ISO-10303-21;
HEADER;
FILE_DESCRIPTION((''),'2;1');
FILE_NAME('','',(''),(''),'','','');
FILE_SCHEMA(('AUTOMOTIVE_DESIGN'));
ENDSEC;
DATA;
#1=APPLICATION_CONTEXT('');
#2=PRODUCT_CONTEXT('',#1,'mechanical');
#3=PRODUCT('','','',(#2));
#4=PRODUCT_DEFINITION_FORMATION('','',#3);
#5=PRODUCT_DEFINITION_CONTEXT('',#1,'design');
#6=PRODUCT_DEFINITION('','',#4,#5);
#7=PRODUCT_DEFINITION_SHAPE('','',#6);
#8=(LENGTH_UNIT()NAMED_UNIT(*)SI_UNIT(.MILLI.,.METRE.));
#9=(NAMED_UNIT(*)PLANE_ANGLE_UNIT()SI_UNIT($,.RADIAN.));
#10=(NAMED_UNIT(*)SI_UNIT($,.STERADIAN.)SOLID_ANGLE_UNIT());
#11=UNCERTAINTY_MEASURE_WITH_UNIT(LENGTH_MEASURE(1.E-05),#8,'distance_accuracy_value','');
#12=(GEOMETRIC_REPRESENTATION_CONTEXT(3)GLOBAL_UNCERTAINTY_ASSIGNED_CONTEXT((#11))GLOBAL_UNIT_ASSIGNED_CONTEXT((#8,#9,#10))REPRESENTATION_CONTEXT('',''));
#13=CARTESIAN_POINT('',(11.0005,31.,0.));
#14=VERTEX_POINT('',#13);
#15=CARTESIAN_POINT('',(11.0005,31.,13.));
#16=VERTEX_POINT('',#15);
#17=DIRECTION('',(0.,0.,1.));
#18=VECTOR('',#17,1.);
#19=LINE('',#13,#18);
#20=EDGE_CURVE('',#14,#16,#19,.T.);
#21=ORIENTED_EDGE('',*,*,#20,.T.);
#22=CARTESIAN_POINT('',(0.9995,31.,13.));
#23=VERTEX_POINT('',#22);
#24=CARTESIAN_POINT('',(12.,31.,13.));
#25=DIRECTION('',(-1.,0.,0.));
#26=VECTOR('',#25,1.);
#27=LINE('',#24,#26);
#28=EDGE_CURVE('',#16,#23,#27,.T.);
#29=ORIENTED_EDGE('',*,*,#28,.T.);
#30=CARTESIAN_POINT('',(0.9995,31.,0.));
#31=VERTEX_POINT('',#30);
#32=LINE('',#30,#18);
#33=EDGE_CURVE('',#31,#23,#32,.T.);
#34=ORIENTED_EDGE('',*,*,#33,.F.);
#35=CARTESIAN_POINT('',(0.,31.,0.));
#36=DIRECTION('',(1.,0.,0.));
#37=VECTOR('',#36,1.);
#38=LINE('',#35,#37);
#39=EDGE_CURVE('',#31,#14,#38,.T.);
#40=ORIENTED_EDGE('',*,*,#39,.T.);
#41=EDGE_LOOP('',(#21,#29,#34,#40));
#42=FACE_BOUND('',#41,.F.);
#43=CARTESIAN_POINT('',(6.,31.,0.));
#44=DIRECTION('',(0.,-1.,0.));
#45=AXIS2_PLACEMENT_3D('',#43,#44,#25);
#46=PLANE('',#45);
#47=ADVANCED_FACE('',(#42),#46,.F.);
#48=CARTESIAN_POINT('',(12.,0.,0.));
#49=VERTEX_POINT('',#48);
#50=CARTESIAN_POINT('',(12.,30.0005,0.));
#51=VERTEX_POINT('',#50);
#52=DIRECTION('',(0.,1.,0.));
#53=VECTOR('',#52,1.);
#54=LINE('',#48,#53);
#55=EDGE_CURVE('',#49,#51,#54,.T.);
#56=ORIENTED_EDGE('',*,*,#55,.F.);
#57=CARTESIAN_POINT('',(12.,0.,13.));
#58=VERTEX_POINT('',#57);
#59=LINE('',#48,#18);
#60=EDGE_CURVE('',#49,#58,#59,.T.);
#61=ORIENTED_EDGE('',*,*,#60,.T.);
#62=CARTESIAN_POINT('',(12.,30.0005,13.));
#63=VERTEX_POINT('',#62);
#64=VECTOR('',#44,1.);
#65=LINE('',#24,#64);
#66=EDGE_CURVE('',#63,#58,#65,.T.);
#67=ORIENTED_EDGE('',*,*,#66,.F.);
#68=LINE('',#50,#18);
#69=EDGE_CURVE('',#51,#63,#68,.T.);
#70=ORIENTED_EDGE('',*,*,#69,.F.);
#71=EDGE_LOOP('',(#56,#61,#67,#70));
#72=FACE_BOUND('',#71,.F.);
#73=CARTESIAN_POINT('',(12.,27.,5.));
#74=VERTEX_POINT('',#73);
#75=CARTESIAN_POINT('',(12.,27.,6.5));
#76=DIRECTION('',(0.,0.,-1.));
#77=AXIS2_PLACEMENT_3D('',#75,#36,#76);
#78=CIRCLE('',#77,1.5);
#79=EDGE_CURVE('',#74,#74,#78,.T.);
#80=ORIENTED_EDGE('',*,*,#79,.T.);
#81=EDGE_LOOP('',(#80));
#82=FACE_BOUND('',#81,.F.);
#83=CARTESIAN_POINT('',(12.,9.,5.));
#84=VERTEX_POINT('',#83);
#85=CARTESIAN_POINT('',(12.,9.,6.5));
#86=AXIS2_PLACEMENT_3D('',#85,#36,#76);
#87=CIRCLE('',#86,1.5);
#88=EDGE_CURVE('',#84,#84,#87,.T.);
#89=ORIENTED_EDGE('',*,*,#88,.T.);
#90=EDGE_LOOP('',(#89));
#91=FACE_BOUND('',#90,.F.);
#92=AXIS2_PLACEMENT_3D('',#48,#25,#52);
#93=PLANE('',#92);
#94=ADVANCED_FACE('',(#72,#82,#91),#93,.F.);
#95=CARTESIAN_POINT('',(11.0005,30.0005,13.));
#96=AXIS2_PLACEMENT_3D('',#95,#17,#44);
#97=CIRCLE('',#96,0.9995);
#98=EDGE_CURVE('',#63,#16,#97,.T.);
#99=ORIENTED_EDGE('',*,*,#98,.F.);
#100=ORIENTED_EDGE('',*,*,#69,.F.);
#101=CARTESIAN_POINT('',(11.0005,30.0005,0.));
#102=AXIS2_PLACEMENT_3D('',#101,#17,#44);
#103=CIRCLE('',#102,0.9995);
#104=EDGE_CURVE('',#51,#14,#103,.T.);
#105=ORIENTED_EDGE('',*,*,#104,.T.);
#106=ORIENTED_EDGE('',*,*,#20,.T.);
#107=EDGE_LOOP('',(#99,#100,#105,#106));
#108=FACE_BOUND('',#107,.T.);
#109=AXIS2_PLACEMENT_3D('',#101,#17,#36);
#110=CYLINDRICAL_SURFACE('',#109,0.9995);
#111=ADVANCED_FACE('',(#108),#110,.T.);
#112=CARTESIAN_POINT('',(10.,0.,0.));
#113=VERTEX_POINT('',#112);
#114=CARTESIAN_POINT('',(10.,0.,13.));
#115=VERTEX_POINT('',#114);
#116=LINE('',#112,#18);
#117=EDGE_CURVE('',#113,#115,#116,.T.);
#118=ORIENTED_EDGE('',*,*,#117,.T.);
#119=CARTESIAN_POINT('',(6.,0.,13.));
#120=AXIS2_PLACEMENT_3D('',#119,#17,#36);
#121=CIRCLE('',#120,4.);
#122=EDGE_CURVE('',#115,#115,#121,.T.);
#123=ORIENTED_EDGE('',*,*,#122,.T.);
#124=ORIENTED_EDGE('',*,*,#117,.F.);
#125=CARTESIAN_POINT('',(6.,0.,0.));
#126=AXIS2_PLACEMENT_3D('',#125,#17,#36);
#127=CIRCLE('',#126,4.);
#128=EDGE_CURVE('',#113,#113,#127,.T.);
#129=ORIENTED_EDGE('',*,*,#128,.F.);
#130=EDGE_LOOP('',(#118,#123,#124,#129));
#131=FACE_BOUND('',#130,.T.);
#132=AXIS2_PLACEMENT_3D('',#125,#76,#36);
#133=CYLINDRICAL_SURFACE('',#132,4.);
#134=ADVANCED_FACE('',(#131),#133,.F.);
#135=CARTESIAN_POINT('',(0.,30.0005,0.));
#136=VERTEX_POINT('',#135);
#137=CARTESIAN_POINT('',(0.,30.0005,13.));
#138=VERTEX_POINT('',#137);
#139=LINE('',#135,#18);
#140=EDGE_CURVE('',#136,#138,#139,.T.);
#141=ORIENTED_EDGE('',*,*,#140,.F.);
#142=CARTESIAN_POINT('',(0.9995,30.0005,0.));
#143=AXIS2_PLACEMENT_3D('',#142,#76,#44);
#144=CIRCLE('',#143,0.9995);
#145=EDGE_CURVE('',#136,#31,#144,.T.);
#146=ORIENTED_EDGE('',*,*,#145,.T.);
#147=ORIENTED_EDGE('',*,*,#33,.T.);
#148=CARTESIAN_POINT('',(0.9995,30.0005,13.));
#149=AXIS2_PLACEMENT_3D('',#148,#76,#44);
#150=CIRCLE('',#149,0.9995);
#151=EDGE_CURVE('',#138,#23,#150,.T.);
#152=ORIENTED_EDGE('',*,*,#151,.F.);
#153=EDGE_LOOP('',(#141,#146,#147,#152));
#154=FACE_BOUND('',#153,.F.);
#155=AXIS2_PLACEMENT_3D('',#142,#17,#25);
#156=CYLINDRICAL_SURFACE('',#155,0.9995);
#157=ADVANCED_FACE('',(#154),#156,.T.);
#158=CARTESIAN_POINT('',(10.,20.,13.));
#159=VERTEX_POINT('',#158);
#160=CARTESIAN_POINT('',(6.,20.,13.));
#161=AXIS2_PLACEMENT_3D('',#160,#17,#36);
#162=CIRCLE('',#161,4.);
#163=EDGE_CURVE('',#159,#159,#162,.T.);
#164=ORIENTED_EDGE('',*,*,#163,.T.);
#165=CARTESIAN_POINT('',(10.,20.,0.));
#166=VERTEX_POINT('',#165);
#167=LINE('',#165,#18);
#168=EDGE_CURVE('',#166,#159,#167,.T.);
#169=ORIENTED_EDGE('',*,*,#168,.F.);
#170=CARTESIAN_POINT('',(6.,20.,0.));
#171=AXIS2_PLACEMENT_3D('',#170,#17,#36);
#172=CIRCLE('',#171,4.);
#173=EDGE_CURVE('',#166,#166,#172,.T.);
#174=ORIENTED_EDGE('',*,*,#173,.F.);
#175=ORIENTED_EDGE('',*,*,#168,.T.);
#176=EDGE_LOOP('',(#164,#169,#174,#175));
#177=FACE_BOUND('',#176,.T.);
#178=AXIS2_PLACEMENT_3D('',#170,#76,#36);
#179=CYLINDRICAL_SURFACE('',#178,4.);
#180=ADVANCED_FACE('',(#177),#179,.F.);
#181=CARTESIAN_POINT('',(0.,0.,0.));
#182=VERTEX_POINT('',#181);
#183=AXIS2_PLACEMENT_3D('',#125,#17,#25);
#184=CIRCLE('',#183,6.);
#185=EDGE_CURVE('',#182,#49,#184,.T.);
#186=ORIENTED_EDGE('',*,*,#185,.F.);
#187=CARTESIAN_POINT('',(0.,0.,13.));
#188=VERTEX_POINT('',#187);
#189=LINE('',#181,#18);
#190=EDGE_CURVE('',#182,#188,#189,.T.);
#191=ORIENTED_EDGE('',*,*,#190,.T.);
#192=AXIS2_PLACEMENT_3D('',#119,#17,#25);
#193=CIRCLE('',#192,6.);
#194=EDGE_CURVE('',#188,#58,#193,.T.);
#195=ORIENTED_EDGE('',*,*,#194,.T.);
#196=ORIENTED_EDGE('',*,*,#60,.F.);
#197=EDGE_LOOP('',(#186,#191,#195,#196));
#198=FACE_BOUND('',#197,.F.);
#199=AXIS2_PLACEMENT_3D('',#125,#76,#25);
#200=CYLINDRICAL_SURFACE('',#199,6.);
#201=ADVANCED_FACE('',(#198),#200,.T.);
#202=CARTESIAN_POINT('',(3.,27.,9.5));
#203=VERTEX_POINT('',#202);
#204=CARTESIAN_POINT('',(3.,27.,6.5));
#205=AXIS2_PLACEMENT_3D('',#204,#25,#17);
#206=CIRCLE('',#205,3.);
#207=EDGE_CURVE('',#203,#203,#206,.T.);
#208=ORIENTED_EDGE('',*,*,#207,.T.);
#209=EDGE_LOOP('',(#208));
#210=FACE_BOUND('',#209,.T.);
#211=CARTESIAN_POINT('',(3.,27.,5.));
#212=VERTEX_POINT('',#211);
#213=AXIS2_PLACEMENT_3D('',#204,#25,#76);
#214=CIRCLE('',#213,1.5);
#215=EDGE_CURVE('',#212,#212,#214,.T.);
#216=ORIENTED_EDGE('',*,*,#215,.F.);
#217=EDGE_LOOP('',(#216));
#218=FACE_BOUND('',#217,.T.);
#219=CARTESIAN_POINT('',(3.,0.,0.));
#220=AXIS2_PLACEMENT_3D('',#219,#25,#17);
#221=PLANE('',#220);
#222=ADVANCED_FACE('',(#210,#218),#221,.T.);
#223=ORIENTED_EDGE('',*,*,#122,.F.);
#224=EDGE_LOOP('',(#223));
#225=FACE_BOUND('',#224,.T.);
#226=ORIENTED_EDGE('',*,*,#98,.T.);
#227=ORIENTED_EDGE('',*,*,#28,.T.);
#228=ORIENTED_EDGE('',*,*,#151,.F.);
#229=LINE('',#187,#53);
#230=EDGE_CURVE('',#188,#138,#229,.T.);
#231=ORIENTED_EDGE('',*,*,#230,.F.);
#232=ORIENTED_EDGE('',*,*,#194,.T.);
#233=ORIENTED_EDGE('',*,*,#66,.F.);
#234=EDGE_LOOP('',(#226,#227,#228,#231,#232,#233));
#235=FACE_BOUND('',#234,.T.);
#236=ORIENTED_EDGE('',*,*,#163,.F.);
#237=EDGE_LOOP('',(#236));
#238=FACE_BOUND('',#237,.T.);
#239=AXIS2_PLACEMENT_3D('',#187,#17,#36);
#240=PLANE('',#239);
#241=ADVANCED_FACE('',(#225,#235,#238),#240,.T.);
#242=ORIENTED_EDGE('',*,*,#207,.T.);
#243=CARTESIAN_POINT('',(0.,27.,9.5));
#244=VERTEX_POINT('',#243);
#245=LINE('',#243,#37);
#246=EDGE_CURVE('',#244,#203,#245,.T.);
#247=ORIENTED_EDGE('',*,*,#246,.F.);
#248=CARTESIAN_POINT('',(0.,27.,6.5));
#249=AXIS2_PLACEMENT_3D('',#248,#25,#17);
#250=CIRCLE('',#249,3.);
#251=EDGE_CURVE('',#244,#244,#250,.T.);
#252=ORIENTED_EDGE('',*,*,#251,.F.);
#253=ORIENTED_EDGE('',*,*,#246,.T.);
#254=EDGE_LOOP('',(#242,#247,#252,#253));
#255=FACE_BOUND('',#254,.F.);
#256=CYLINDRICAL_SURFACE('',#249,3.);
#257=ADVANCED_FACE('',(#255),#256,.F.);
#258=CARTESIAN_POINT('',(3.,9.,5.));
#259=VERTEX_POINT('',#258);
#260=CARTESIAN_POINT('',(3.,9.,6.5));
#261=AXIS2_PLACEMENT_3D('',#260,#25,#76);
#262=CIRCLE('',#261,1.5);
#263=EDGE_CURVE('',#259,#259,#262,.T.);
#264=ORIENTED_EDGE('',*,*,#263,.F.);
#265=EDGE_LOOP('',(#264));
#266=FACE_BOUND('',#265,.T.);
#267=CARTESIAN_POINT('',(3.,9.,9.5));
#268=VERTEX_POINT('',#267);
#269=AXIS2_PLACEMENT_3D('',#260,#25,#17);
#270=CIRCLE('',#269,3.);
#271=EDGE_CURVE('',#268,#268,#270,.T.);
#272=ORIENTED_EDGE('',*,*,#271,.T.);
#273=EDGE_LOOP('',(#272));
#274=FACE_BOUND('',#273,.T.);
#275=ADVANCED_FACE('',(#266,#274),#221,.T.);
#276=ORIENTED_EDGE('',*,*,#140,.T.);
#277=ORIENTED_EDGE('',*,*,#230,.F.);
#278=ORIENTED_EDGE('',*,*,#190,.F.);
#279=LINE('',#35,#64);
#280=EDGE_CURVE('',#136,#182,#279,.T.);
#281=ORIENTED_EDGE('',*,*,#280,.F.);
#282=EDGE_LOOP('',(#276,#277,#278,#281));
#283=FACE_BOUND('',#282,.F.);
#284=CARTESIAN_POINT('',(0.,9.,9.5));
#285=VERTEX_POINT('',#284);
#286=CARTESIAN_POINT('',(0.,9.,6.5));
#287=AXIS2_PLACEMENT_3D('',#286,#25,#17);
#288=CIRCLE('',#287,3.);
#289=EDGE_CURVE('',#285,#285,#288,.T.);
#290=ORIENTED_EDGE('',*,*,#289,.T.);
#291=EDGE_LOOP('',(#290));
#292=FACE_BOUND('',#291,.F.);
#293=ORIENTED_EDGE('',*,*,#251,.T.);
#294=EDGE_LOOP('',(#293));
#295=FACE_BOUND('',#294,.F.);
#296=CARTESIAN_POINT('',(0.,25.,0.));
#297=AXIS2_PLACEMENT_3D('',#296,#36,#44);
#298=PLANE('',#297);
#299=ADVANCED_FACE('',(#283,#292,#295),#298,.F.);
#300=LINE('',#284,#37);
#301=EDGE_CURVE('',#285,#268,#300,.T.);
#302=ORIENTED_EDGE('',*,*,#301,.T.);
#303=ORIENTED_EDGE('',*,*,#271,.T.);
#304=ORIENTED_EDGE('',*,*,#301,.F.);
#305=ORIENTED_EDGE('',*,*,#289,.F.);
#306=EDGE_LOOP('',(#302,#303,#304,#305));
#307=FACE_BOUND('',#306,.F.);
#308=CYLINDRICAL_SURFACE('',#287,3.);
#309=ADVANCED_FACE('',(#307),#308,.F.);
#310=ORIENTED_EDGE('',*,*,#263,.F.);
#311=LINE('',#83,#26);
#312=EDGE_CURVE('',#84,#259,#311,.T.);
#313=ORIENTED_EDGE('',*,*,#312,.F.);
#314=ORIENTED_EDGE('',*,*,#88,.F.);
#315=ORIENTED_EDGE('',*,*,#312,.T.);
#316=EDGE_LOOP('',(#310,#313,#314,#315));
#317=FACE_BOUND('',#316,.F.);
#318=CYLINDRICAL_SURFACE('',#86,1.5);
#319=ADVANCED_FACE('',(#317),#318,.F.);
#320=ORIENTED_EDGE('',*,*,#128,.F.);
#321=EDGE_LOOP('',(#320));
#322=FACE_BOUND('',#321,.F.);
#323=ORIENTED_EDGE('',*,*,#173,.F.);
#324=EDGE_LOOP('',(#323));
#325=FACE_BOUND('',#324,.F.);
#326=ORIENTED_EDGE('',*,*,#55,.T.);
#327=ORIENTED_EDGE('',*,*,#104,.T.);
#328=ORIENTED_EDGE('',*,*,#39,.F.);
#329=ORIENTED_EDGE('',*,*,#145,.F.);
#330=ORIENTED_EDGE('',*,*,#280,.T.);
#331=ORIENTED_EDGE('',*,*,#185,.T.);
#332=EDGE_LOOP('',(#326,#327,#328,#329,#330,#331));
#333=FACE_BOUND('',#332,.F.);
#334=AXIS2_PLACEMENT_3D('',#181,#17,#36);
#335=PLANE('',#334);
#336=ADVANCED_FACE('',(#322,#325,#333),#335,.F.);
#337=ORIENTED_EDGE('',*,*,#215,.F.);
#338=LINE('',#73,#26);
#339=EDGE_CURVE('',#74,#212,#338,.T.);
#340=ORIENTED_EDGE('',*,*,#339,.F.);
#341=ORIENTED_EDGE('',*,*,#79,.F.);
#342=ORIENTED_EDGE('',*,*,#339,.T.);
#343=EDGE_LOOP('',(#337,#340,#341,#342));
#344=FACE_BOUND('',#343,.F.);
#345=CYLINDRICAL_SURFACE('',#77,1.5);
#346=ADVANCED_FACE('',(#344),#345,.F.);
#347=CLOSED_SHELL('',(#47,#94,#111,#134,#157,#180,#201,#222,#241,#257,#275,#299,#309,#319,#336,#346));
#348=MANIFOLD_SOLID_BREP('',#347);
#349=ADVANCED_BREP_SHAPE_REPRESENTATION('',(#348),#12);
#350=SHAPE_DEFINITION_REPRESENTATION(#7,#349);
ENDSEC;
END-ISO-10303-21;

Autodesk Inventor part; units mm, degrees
ref_plane "YZ Plane" through (0, 0, 0) normal (1, 0, 0) x (0, 1, 0)
ref_plane "XZ Plane" through (0, 0, 0) normal (0, 1, 0) x (-1, 0, 0)
ref_plane "XY Plane" through (0, 0, 0) normal (0, 0, 1) x (1, 0, 0)
sketch "Sketch1" plane through (0, 0, 0) normal (0, 0, 1) x (1, 0, 0)
  line L0 (0, 0) -> (12, 0) construction
  line L1 (12, 0) -> (12, 25)
  line L2 (12, 25) -> (0, 25) construction
  line L3 (0, 25) -> (0, 0)
  arc A0 (12, 25) -> (0, 25) centre (6, 25) ccw
  arc A1 (0, 0) -> (12, 0) centre (6, 0) ccw
  circle A2 centre (6, 0) radius 4
  circle A3 centre (6, 20) radius 4
  line L4 (0, 25) -> (12, 25)
  line L5 (12, 25) -> (12, 31)
  line L6 (12, 31) -> (0, 31)
  line L7 (0, 31) -> (0, 25)
  dimension "d0" = 12
  dimension "d1" = 25
  dimension "d3" = 8
  dimension "d16" = 8
  dimension "d17" = 20
extrude "Extrusion1" add sketch "Sketch1" along normal blind 13
sketch "Sketch2" plane through (12, 0, 0) normal (1, 0, 0) x (0, 0, -1)
  circle A0 centre (-6.5, 27) radius 1.5
  circle A1 centre (-6.5, 9) radius 1.5
  line L0 (0, 0) -> (-13, 0) projected
  point P0 (-6.5, 0)
  dimension "d6" = 3
  dimension "d7" = 3
  dimension "d8" = 18
  dimension "d9" = 9
extrude "Extrusion2" cut sketch "Sketch2" against normal through all
sketch "Sketch3" plane through (0, 0, 0) normal (-1, 0, 0) x (0, 0, 1)
  circle A0 centre (6.5, 27) radius 1.5 projected
  circle A1 centre (6.5, 9) radius 1.5 projected
  circle A2 centre (6.5, 27) radius 3
  circle A3 centre (6.5, 9) radius 3
  point P0 (0, 0)
  dimension "d12" = 6
  dimension "d13" = 6
extrude "Extrusion3" cut sketch "Sketch3" against normal blind 3
fillet "Fillet1" radius 1 2 edges at (0, 31, 6.5) (12, 31, 6.5)
properties part number "z axis arm3"
